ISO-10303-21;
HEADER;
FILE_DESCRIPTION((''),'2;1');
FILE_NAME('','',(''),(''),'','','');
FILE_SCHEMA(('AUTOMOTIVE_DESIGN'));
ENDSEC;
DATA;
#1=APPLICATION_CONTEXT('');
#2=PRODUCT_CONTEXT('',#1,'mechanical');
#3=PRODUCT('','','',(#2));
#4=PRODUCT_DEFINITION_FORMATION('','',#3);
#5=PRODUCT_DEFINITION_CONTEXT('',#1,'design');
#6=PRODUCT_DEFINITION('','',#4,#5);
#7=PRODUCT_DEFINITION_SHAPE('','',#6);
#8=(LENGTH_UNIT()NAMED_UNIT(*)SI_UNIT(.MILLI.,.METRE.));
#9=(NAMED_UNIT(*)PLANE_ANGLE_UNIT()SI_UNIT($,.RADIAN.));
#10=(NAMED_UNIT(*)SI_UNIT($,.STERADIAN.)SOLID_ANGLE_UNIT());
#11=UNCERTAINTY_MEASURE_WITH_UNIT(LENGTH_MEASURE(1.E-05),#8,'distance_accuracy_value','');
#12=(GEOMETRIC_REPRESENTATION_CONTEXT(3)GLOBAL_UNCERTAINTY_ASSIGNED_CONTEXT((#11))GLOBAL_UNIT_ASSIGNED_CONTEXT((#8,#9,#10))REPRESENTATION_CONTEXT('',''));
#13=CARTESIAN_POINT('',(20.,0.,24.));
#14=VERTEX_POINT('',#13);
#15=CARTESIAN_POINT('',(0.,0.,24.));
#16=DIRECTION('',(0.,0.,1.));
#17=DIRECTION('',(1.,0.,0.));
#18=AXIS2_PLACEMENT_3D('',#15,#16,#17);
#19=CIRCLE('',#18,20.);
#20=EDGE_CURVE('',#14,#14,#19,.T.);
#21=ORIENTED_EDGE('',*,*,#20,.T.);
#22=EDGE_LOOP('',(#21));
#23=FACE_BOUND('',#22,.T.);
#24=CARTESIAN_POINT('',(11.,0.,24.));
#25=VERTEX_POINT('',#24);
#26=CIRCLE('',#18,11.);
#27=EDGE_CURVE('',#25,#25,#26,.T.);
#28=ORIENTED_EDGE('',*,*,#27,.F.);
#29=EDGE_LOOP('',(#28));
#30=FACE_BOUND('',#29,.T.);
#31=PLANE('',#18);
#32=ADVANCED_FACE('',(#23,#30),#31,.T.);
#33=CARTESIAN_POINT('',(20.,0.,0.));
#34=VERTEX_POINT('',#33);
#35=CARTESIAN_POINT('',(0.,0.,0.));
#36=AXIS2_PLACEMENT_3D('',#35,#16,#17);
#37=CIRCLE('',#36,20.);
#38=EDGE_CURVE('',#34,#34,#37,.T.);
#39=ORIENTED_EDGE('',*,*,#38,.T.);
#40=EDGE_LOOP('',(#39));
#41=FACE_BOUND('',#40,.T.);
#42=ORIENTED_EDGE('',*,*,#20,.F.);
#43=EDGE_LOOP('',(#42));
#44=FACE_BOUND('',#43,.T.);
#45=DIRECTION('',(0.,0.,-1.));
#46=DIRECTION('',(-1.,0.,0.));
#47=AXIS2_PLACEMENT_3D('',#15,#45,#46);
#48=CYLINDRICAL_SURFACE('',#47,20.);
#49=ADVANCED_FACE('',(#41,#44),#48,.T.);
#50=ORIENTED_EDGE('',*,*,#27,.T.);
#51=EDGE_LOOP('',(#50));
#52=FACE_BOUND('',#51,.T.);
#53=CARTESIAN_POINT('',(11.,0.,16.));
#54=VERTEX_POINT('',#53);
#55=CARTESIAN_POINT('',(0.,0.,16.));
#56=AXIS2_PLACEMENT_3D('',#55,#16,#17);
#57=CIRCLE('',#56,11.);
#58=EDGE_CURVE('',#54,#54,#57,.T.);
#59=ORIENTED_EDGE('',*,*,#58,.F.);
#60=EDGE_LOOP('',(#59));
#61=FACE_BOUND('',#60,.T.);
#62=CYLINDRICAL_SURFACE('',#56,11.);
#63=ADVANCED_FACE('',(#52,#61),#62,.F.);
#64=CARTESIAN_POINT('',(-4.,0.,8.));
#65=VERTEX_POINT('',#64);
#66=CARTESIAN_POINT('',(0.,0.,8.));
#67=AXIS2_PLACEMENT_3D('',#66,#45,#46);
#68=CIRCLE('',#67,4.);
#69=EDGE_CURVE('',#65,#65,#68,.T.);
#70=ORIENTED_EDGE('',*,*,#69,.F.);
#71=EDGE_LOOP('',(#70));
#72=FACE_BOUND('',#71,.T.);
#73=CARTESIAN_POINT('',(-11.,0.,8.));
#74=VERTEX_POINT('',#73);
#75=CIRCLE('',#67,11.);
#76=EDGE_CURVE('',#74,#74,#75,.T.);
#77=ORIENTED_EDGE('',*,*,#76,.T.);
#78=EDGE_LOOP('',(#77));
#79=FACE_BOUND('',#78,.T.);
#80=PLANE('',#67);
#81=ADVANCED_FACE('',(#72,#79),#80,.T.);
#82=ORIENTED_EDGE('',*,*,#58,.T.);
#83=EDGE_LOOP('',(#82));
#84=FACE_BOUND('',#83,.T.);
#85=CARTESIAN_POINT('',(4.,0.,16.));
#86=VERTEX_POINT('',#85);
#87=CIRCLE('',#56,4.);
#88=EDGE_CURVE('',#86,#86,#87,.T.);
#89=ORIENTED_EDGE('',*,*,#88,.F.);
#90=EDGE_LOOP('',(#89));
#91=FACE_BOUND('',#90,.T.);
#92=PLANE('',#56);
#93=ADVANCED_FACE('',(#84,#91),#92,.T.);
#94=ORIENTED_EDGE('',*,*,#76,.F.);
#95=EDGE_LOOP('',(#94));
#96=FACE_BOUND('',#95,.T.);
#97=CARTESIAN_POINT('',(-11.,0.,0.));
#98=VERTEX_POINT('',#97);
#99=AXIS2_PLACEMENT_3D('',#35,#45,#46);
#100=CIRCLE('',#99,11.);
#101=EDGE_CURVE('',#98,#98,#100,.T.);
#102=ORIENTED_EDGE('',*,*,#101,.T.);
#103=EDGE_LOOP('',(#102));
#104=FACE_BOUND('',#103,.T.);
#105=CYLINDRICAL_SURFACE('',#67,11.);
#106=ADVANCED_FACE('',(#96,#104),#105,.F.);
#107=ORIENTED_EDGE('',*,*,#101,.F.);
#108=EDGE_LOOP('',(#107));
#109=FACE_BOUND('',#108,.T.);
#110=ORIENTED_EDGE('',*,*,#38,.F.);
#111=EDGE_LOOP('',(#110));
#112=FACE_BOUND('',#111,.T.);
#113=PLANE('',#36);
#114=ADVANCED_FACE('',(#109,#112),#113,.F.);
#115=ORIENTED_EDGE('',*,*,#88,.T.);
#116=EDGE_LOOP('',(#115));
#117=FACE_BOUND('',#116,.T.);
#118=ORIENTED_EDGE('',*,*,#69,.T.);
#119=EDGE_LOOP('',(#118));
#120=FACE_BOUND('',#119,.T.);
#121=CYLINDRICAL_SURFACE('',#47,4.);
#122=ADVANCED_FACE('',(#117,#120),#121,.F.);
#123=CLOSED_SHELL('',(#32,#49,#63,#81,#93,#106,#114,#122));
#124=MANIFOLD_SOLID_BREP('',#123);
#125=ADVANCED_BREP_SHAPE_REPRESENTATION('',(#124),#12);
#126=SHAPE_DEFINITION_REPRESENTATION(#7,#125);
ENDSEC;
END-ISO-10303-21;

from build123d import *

# Parameters (mm, degrees)
SKETCH1_R          = 20
SKETCH1_R_2        = 4
EXTRUDE1_DEPTH     = 24
SKETCH2_R          = 11
CUT_EXTRUDE1_DEPTH = 8
CUT_EXTRUDE2_START = -8
SKETCH3_R          = 11
CUT_EXTRUDE2_DEPTH = 8


with BuildPart() as part:
    # Sketch1 → Extrude1 (new body)
    with BuildSketch(Plane.XY):
        Circle(SKETCH1_R)
        Circle(SKETCH1_R_2, mode=Mode.SUBTRACT)
    extrude(amount=EXTRUDE1_DEPTH)

    # Sketch2 → Cut-Extrude1 (cut)
    with BuildSketch(Plane.XY.offset(24)):
        Circle(SKETCH2_R)
    extrude(amount=-CUT_EXTRUDE1_DEPTH, mode=Mode.SUBTRACT)

    # Sketch3 → Cut-Extrude2 (cut)
    with BuildSketch(Plane(origin=(0, 0, 0), x_dir=(-1, 0, 0), z_dir=(0, 0, -1)).offset(CUT_EXTRUDE2_START)):
        with Locations(Location((0, 0, 0), (0, 0, 180))):
            Circle(SKETCH3_R)
    extrude(amount=CUT_EXTRUDE2_DEPTH, mode=Mode.SUBTRACT)


solid = part.part
